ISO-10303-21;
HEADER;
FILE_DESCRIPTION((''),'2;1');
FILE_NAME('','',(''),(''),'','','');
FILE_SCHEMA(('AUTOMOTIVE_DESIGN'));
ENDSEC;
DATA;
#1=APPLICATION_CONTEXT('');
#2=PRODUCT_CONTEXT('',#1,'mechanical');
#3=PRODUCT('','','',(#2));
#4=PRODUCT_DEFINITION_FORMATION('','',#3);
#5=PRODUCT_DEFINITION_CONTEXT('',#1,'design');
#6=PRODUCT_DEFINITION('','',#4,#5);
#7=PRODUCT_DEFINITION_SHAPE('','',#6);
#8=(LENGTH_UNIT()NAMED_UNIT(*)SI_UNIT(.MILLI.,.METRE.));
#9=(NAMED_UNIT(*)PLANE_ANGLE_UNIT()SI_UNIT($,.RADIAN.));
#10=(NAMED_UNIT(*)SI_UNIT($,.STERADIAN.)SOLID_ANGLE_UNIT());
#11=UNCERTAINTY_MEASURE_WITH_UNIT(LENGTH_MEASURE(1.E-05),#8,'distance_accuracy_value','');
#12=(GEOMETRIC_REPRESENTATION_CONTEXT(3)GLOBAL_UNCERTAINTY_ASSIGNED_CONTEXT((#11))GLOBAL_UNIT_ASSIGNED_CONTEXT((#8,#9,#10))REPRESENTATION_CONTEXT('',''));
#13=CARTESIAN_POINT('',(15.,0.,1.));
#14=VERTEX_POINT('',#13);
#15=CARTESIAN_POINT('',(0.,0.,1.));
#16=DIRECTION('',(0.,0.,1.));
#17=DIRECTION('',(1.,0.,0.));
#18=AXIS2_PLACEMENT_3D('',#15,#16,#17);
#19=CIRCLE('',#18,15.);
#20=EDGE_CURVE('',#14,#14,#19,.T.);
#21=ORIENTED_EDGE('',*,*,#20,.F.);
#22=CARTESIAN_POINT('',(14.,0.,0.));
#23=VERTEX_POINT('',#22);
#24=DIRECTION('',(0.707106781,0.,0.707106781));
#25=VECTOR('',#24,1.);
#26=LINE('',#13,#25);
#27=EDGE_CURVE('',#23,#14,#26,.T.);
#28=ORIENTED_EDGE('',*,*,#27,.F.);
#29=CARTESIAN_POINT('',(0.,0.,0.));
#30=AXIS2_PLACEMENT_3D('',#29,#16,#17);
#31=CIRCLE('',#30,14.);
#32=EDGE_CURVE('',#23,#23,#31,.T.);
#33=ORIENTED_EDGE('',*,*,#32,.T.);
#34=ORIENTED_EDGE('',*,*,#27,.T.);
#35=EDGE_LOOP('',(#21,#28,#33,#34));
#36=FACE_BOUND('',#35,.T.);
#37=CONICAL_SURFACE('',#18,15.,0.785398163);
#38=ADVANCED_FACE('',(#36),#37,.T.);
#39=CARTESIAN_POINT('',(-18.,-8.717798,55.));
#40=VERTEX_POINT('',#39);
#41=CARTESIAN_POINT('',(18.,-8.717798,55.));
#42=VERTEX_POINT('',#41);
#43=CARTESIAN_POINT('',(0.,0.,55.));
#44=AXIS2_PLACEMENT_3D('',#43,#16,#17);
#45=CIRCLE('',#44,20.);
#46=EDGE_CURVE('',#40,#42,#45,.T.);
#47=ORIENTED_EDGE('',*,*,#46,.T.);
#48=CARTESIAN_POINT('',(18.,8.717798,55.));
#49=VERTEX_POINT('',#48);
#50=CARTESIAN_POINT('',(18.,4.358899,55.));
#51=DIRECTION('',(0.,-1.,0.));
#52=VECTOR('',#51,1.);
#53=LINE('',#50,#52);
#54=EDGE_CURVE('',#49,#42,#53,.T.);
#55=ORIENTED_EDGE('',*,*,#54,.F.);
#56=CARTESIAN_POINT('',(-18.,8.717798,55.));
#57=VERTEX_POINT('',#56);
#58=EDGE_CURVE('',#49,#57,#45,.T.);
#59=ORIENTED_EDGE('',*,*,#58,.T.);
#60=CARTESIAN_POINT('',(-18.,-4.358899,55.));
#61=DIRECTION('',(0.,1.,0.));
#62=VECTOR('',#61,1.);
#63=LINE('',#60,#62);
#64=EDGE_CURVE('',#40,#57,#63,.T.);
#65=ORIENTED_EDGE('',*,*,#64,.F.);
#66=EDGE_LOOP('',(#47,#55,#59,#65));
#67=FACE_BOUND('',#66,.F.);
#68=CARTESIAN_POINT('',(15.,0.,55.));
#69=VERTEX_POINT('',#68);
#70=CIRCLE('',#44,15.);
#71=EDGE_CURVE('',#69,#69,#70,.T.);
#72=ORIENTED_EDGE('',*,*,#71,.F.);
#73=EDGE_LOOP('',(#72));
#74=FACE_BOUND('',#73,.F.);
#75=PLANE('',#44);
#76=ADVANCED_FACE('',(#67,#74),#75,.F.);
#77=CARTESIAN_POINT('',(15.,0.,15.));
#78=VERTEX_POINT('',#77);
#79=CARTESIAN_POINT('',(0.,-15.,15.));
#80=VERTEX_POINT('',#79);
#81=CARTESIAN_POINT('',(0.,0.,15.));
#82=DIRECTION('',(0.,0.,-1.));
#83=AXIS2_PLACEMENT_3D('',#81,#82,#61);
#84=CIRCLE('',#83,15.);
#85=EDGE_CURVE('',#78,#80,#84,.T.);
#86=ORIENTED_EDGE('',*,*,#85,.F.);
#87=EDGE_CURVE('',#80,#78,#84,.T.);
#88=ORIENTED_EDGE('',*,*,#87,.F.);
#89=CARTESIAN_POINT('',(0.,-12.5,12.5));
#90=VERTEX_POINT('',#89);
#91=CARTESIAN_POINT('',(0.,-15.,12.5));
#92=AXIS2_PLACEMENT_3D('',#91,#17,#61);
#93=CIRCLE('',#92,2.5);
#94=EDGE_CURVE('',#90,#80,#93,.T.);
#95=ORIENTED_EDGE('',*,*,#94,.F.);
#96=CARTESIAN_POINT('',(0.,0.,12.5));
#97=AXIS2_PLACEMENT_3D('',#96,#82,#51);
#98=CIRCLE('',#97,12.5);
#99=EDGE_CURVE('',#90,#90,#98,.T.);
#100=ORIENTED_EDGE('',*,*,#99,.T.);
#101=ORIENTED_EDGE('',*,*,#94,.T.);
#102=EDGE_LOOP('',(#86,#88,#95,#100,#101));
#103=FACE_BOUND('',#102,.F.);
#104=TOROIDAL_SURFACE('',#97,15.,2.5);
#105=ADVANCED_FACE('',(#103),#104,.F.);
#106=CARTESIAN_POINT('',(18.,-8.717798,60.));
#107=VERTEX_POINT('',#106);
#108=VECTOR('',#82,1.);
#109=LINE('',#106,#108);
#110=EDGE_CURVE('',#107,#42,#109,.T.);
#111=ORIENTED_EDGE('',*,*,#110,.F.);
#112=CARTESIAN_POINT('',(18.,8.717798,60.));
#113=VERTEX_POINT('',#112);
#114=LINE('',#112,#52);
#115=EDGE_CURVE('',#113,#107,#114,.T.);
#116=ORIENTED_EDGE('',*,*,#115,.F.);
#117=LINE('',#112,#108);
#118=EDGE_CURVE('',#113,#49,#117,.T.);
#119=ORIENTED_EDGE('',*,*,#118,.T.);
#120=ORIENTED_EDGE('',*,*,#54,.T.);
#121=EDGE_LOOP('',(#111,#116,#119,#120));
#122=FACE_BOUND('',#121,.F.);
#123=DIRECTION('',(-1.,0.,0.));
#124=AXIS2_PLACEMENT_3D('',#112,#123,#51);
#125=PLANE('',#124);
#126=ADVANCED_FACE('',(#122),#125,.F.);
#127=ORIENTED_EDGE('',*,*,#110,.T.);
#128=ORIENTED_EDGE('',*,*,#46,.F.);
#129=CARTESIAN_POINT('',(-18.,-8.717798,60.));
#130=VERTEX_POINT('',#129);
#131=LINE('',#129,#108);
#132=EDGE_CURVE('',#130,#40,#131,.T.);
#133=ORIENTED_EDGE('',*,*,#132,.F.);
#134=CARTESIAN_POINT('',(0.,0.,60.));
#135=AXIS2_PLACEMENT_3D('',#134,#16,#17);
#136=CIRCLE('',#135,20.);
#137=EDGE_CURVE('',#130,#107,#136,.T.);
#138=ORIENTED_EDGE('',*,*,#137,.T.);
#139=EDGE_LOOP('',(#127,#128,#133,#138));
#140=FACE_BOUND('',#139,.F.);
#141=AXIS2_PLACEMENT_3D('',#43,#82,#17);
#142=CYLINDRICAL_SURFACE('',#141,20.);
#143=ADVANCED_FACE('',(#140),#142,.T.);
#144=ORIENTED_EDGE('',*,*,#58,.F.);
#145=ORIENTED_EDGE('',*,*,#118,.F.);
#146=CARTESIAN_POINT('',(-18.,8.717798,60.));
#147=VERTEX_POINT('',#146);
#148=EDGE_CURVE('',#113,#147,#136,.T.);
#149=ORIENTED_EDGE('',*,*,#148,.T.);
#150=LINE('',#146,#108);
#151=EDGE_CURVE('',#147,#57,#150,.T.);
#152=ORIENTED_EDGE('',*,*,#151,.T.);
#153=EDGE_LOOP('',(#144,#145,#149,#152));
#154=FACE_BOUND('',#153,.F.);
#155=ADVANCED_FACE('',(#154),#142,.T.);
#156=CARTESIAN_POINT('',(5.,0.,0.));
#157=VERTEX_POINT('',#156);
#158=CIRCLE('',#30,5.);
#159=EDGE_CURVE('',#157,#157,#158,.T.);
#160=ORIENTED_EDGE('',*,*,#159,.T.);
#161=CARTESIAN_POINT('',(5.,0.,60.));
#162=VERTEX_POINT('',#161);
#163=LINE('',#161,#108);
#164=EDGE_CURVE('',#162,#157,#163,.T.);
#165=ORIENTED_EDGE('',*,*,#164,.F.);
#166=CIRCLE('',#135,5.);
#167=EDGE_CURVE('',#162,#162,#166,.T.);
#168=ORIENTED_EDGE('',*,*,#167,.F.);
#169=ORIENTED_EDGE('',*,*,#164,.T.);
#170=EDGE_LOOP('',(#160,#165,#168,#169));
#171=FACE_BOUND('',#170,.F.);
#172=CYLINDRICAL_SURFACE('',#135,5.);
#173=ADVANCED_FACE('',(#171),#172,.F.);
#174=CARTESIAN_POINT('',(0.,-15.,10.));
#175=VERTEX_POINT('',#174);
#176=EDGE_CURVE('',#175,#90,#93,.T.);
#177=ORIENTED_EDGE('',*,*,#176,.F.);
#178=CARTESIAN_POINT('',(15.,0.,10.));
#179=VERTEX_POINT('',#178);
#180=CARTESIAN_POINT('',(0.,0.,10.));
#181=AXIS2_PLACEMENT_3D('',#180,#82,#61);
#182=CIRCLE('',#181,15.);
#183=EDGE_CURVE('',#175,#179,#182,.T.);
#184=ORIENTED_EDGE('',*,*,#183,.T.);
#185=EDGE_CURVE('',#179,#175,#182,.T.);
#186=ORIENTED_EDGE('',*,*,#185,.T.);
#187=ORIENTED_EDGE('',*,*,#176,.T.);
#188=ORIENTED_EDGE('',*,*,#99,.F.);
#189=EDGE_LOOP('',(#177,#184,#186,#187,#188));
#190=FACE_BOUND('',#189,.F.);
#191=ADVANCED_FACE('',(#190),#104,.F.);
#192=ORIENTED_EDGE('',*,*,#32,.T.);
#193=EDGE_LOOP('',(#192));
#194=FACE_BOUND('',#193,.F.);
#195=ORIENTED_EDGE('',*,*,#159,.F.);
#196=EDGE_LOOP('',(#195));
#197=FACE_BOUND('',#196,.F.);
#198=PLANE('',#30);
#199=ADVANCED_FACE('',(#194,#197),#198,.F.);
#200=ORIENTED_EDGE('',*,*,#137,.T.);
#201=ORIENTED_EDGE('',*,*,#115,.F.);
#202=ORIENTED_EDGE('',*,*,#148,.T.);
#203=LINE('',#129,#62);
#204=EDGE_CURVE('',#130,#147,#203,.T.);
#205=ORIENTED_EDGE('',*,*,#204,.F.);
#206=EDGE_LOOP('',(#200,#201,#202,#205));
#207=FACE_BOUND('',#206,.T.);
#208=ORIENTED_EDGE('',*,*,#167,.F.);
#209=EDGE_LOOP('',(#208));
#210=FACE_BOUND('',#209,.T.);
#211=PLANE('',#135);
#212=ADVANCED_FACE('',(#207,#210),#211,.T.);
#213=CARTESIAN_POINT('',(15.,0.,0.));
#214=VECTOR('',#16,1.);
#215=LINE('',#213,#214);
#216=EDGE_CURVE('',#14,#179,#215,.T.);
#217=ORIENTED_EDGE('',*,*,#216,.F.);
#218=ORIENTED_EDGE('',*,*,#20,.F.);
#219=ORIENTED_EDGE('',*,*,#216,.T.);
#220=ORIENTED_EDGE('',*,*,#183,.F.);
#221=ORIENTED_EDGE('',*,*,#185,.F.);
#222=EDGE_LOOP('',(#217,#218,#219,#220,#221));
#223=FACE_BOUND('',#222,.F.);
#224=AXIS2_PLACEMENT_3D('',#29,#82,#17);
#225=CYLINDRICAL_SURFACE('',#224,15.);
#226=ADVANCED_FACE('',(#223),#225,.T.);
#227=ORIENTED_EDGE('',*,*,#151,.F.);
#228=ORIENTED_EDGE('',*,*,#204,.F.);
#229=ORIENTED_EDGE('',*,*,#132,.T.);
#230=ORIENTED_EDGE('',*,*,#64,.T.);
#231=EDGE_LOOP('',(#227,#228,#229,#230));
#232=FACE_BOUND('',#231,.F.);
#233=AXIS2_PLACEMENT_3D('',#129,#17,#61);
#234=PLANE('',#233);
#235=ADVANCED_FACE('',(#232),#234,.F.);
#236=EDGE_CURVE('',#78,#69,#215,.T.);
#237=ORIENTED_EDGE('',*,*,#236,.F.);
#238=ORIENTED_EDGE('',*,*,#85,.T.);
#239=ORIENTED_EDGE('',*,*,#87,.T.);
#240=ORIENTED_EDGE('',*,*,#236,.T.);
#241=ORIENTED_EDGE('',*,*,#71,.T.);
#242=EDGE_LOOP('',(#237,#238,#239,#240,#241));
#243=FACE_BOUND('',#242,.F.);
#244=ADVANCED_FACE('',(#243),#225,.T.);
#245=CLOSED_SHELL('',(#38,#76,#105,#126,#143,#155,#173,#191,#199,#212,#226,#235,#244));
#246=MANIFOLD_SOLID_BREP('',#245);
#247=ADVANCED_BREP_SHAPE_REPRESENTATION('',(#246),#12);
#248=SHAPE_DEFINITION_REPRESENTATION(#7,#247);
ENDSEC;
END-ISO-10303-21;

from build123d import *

# Parameters (mm, degrees)
F1_R     = 15
F2_DEPTH = 55
F3_R     = 20
F5_DEPTH = 5
F6_R     = 5
F7_DEPTH = 60.001
F9_DEPTH = 60.001
F10_R    = 2.5
F12_SIZE = 1


with BuildPart() as f2:
    # F1 (on Top) → F2 (new body)
    with BuildSketch(Plane.XY):
        Circle(F1_R)
    extrude(amount=F2_DEPTH)

    # F3 (on face) → F5 (join, through all)
    with BuildSketch(Plane.XY.offset(55)):
        Circle(F3_R)
    extrude(amount=F5_DEPTH)

    # F6 (on face) → F7 (cut, through all)
    with BuildSketch(Plane.XY.offset(60)):
        Circle(F6_R)
    extrude(amount=-F7_DEPTH, mode=Mode.SUBTRACT)

    # F8 (on face) → F9 (cut, through all)
    with BuildSketch(Plane.XY.offset(60)):
        with BuildLine():
            Line((-18, -8.7177978871), (-18, 0))
            Line((-18, 0), (-18, 8.7177978871))
            ThreePointArc((-18, 8.7177978871), (-20, 0), (-18, -8.7177978871))
        make_face()
        with BuildLine():
            Line((18, 8.7177978871), (18, 0))
            Line((18, 0), (18, -8.7177978871))
            ThreePointArc((18, -8.7177978871), (19.4935886896, -4.472135955), (20, 0))
            ThreePointArc((20, 0), (19.4935886896, 4.472135955), (18, 8.7177978871))
        make_face()
    extrude(amount=-F9_DEPTH, mode=Mode.SUBTRACT)

    # F10 (on Right) → F11 (revolve, cut)
    with BuildSketch(Plane.YZ):
        with Locations((-15, 12.5)):
            Circle(F10_R)
    revolve(axis=Axis((0, 0, 0), (0, 0, -1)), mode=Mode.SUBTRACT)

    # F12
    f12_edges = [f2.edges().sort_by_distance(p)[0] for p in [
        (-15, 0, 0),
    ]]
    chamfer(f12_edges, length=F12_SIZE)


solid = f2.part
